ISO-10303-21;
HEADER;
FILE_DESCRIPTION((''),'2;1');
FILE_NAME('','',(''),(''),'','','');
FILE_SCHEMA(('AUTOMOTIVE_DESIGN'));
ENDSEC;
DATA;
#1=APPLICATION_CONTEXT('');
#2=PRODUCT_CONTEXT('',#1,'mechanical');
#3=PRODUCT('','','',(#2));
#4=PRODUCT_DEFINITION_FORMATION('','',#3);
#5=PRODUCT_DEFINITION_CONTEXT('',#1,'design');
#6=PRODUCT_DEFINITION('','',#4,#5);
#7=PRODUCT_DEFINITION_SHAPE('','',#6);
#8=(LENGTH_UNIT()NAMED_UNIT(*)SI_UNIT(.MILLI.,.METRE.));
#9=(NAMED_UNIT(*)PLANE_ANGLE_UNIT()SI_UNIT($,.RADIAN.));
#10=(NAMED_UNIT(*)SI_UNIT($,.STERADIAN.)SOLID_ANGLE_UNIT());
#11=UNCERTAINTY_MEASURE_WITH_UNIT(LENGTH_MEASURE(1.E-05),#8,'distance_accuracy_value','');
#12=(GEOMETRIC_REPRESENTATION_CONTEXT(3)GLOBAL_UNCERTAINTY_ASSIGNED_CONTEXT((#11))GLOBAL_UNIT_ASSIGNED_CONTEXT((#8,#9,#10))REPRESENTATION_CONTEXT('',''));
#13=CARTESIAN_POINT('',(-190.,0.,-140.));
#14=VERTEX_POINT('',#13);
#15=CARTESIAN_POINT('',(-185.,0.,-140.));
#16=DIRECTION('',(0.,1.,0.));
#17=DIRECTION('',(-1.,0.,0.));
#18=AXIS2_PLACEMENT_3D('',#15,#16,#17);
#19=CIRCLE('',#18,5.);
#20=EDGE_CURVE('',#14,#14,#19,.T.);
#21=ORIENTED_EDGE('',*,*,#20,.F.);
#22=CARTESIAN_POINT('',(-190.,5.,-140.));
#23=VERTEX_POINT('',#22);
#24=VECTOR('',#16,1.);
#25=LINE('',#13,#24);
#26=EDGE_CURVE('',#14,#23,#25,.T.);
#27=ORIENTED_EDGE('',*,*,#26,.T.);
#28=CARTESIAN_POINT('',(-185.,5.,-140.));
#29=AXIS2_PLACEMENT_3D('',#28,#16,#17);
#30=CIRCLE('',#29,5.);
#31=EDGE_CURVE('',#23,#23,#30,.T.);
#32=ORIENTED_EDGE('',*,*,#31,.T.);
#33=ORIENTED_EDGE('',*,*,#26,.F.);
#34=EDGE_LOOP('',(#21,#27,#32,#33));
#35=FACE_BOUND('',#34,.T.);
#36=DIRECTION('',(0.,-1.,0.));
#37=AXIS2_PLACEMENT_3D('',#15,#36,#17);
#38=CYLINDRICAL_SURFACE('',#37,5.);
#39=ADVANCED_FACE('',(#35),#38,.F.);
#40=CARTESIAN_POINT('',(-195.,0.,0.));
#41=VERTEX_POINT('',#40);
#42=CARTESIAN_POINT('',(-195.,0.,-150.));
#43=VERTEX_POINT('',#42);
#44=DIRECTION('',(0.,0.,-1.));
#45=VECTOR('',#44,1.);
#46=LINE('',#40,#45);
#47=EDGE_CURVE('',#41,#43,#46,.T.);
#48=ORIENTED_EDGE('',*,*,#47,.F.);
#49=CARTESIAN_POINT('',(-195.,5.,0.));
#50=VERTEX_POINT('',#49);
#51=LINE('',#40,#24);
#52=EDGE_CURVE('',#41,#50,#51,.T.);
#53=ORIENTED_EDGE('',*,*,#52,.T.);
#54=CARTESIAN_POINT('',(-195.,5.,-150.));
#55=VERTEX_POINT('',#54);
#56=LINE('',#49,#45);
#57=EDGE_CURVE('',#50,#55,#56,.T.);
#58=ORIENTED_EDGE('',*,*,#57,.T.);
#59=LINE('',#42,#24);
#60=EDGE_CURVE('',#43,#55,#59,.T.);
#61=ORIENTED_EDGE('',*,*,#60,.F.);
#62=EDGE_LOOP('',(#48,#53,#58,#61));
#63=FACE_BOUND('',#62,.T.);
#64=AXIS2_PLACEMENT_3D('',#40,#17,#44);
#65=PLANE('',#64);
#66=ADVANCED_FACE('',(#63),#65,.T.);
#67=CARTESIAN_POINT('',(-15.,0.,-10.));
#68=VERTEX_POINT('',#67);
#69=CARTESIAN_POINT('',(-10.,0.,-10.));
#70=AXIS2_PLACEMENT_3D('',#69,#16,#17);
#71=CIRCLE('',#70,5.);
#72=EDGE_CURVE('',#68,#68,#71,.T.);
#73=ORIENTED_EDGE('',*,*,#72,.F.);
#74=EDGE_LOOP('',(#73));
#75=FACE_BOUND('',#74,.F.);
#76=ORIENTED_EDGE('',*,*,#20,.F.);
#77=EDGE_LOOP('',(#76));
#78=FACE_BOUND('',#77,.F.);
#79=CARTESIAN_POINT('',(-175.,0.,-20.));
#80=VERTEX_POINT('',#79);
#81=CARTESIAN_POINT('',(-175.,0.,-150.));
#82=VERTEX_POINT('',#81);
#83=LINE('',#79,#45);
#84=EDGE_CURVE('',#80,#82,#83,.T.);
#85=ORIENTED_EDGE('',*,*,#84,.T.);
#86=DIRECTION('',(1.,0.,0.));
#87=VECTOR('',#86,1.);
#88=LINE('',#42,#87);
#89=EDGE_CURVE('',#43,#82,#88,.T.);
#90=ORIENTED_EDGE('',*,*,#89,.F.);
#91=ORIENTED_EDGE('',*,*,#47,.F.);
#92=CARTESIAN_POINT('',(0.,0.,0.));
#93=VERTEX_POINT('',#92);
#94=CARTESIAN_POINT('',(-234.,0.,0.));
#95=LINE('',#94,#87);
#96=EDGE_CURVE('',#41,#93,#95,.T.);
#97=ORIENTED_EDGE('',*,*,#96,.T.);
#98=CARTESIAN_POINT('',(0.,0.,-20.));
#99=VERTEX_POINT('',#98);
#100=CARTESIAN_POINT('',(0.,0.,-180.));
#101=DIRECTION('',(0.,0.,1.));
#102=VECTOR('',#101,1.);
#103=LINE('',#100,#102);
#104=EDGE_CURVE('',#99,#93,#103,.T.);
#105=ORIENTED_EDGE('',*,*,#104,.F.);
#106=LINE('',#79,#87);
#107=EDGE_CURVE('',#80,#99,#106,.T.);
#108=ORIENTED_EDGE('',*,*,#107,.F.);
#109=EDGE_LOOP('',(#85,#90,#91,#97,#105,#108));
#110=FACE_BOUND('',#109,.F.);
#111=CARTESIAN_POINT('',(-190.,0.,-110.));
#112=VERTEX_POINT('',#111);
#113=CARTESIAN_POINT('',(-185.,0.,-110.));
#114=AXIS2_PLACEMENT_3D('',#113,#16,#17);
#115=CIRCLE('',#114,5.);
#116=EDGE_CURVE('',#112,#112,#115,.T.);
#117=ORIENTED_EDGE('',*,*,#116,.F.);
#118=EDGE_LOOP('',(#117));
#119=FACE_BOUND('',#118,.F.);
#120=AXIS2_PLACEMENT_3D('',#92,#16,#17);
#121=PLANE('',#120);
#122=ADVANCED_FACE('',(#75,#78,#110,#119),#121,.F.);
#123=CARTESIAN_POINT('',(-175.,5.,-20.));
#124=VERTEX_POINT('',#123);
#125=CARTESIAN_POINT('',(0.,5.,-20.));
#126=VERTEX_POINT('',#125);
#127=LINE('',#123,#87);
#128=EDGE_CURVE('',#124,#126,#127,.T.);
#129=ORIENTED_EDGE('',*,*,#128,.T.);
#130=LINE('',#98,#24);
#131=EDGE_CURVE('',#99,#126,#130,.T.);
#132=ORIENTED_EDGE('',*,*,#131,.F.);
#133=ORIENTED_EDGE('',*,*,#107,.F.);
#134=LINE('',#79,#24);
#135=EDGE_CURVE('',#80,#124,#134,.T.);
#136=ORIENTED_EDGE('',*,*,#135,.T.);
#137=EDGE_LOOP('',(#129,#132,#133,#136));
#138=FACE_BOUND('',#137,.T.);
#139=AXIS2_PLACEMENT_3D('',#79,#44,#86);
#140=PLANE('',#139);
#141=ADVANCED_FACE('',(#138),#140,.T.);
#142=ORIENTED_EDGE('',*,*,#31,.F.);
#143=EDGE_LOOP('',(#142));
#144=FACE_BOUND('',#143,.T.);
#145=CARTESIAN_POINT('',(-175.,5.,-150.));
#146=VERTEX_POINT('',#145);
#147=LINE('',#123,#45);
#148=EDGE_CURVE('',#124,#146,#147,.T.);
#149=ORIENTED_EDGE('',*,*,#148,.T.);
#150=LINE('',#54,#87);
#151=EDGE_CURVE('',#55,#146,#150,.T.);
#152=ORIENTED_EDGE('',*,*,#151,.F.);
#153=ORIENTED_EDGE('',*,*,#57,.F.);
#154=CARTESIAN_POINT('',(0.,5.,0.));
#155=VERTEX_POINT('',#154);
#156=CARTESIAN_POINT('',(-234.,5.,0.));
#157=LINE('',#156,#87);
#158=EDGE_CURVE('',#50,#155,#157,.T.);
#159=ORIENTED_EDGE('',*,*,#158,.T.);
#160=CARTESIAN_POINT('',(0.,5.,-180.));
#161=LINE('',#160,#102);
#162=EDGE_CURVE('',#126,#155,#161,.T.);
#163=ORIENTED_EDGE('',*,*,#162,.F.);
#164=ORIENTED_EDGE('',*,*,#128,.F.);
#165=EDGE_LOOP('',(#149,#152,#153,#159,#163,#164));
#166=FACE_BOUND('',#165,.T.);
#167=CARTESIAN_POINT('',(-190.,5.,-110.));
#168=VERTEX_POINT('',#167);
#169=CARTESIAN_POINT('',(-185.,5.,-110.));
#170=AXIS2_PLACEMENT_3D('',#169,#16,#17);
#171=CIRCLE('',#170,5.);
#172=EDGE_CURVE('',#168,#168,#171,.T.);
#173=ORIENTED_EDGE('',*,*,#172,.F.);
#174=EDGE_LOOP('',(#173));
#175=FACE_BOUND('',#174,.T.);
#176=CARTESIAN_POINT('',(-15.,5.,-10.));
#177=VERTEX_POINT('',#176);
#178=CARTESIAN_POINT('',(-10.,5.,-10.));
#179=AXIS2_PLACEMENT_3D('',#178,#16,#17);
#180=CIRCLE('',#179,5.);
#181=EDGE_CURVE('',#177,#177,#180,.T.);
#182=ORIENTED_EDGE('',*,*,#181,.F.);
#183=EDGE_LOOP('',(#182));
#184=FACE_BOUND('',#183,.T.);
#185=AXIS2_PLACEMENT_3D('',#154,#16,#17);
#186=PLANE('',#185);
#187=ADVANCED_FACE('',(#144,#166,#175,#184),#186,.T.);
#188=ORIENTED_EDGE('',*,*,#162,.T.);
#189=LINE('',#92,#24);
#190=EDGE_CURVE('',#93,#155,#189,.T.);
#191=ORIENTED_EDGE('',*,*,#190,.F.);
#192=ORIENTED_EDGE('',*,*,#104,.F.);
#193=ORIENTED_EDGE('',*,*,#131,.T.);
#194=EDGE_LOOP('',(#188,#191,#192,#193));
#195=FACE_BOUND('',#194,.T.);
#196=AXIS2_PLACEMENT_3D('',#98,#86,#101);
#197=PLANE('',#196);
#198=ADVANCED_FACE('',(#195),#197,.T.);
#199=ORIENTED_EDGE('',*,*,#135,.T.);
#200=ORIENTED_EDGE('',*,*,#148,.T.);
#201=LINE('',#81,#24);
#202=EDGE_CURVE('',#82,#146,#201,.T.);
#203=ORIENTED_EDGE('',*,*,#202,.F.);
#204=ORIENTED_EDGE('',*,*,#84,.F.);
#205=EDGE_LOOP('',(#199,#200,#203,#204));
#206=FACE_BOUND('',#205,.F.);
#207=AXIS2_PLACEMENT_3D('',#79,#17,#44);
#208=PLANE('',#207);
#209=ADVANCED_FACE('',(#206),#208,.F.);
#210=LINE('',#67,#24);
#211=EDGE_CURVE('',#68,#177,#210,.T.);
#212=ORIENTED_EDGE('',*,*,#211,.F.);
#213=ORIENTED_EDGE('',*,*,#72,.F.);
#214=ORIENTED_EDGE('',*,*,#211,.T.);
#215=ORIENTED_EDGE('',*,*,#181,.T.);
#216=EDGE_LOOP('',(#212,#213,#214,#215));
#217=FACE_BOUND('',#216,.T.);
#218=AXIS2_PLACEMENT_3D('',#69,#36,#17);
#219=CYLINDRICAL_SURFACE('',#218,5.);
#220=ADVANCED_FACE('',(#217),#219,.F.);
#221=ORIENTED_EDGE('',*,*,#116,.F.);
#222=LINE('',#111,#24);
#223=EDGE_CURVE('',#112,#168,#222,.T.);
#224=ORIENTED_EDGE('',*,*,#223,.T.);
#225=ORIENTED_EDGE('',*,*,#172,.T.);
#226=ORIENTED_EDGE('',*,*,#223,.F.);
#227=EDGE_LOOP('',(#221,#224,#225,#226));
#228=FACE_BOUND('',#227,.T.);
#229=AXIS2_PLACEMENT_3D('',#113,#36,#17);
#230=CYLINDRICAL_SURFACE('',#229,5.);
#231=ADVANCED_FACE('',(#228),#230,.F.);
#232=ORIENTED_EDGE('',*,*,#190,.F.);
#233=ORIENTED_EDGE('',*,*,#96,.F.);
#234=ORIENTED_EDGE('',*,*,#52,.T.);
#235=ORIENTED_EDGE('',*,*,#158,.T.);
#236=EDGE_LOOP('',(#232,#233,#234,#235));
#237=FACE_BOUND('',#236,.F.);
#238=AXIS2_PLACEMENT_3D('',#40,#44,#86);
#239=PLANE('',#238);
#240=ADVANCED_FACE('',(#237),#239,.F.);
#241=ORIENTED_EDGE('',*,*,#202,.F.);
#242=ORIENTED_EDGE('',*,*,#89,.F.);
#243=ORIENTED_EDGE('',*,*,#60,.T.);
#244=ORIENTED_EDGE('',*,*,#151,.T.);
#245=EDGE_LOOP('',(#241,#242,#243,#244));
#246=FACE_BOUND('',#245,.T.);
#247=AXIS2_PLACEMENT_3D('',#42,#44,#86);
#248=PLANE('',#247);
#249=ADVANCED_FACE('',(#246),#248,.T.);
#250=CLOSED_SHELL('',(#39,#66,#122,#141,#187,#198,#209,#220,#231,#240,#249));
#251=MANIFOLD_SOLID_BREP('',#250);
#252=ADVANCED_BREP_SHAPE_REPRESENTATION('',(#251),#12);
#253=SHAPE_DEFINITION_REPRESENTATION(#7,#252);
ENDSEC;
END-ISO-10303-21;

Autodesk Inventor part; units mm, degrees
ref_plane "YZ Plane" through (0, 0, 0) normal (1, 0, 0) x (0, 1, 0)
ref_plane "XZ Plane" through (0, 0, 0) normal (0, 1, 0) x (-1, 0, 0)
ref_plane "XY Plane" through (0, 0, 0) normal (0, 0, 1) x (1, 0, 0)
sketch "スケッチ1" plane through (0, 0, 0) normal (0, 1, 0) x (-1, 0, 0)
  line L0 (234, 0) -> (-39, 0) projected
  line L1 (0, -180) -> (0, 30) projected
  line L2 (0, 0) -> (195, 0)
  line L3 (195, 0) -> (195, -150)
  line L4 (175, -20) -> (0, -20)
  circle A0 centre (10, -10) radius 5
  circle A1 centre (185, -110) radius 5
  line L5 (195, -150) -> (175, -150)
  circle A2 centre (185, -140) radius 5
  line L6 (175, -20) -> (175, -150)
  dimension "d0" = 195
  dimension "d2" = 20
  dimension "d3" = 150
  dimension "d5" = 10
  dimension "d6" = 10
  dimension "d7" = 10
  dimension "d8" = 10
  dimension "d9" = 10
  dimension "d23" = 40
  dimension "d24" = 10
  dimension "d30" = 10
  dimension "d31" = 10
  dimension "d34" = 20
extrude "押し出し4" add sketch "スケッチ1" along normal blind 5
properties part number "rocker_alt" material "アルミニウム 6061"
